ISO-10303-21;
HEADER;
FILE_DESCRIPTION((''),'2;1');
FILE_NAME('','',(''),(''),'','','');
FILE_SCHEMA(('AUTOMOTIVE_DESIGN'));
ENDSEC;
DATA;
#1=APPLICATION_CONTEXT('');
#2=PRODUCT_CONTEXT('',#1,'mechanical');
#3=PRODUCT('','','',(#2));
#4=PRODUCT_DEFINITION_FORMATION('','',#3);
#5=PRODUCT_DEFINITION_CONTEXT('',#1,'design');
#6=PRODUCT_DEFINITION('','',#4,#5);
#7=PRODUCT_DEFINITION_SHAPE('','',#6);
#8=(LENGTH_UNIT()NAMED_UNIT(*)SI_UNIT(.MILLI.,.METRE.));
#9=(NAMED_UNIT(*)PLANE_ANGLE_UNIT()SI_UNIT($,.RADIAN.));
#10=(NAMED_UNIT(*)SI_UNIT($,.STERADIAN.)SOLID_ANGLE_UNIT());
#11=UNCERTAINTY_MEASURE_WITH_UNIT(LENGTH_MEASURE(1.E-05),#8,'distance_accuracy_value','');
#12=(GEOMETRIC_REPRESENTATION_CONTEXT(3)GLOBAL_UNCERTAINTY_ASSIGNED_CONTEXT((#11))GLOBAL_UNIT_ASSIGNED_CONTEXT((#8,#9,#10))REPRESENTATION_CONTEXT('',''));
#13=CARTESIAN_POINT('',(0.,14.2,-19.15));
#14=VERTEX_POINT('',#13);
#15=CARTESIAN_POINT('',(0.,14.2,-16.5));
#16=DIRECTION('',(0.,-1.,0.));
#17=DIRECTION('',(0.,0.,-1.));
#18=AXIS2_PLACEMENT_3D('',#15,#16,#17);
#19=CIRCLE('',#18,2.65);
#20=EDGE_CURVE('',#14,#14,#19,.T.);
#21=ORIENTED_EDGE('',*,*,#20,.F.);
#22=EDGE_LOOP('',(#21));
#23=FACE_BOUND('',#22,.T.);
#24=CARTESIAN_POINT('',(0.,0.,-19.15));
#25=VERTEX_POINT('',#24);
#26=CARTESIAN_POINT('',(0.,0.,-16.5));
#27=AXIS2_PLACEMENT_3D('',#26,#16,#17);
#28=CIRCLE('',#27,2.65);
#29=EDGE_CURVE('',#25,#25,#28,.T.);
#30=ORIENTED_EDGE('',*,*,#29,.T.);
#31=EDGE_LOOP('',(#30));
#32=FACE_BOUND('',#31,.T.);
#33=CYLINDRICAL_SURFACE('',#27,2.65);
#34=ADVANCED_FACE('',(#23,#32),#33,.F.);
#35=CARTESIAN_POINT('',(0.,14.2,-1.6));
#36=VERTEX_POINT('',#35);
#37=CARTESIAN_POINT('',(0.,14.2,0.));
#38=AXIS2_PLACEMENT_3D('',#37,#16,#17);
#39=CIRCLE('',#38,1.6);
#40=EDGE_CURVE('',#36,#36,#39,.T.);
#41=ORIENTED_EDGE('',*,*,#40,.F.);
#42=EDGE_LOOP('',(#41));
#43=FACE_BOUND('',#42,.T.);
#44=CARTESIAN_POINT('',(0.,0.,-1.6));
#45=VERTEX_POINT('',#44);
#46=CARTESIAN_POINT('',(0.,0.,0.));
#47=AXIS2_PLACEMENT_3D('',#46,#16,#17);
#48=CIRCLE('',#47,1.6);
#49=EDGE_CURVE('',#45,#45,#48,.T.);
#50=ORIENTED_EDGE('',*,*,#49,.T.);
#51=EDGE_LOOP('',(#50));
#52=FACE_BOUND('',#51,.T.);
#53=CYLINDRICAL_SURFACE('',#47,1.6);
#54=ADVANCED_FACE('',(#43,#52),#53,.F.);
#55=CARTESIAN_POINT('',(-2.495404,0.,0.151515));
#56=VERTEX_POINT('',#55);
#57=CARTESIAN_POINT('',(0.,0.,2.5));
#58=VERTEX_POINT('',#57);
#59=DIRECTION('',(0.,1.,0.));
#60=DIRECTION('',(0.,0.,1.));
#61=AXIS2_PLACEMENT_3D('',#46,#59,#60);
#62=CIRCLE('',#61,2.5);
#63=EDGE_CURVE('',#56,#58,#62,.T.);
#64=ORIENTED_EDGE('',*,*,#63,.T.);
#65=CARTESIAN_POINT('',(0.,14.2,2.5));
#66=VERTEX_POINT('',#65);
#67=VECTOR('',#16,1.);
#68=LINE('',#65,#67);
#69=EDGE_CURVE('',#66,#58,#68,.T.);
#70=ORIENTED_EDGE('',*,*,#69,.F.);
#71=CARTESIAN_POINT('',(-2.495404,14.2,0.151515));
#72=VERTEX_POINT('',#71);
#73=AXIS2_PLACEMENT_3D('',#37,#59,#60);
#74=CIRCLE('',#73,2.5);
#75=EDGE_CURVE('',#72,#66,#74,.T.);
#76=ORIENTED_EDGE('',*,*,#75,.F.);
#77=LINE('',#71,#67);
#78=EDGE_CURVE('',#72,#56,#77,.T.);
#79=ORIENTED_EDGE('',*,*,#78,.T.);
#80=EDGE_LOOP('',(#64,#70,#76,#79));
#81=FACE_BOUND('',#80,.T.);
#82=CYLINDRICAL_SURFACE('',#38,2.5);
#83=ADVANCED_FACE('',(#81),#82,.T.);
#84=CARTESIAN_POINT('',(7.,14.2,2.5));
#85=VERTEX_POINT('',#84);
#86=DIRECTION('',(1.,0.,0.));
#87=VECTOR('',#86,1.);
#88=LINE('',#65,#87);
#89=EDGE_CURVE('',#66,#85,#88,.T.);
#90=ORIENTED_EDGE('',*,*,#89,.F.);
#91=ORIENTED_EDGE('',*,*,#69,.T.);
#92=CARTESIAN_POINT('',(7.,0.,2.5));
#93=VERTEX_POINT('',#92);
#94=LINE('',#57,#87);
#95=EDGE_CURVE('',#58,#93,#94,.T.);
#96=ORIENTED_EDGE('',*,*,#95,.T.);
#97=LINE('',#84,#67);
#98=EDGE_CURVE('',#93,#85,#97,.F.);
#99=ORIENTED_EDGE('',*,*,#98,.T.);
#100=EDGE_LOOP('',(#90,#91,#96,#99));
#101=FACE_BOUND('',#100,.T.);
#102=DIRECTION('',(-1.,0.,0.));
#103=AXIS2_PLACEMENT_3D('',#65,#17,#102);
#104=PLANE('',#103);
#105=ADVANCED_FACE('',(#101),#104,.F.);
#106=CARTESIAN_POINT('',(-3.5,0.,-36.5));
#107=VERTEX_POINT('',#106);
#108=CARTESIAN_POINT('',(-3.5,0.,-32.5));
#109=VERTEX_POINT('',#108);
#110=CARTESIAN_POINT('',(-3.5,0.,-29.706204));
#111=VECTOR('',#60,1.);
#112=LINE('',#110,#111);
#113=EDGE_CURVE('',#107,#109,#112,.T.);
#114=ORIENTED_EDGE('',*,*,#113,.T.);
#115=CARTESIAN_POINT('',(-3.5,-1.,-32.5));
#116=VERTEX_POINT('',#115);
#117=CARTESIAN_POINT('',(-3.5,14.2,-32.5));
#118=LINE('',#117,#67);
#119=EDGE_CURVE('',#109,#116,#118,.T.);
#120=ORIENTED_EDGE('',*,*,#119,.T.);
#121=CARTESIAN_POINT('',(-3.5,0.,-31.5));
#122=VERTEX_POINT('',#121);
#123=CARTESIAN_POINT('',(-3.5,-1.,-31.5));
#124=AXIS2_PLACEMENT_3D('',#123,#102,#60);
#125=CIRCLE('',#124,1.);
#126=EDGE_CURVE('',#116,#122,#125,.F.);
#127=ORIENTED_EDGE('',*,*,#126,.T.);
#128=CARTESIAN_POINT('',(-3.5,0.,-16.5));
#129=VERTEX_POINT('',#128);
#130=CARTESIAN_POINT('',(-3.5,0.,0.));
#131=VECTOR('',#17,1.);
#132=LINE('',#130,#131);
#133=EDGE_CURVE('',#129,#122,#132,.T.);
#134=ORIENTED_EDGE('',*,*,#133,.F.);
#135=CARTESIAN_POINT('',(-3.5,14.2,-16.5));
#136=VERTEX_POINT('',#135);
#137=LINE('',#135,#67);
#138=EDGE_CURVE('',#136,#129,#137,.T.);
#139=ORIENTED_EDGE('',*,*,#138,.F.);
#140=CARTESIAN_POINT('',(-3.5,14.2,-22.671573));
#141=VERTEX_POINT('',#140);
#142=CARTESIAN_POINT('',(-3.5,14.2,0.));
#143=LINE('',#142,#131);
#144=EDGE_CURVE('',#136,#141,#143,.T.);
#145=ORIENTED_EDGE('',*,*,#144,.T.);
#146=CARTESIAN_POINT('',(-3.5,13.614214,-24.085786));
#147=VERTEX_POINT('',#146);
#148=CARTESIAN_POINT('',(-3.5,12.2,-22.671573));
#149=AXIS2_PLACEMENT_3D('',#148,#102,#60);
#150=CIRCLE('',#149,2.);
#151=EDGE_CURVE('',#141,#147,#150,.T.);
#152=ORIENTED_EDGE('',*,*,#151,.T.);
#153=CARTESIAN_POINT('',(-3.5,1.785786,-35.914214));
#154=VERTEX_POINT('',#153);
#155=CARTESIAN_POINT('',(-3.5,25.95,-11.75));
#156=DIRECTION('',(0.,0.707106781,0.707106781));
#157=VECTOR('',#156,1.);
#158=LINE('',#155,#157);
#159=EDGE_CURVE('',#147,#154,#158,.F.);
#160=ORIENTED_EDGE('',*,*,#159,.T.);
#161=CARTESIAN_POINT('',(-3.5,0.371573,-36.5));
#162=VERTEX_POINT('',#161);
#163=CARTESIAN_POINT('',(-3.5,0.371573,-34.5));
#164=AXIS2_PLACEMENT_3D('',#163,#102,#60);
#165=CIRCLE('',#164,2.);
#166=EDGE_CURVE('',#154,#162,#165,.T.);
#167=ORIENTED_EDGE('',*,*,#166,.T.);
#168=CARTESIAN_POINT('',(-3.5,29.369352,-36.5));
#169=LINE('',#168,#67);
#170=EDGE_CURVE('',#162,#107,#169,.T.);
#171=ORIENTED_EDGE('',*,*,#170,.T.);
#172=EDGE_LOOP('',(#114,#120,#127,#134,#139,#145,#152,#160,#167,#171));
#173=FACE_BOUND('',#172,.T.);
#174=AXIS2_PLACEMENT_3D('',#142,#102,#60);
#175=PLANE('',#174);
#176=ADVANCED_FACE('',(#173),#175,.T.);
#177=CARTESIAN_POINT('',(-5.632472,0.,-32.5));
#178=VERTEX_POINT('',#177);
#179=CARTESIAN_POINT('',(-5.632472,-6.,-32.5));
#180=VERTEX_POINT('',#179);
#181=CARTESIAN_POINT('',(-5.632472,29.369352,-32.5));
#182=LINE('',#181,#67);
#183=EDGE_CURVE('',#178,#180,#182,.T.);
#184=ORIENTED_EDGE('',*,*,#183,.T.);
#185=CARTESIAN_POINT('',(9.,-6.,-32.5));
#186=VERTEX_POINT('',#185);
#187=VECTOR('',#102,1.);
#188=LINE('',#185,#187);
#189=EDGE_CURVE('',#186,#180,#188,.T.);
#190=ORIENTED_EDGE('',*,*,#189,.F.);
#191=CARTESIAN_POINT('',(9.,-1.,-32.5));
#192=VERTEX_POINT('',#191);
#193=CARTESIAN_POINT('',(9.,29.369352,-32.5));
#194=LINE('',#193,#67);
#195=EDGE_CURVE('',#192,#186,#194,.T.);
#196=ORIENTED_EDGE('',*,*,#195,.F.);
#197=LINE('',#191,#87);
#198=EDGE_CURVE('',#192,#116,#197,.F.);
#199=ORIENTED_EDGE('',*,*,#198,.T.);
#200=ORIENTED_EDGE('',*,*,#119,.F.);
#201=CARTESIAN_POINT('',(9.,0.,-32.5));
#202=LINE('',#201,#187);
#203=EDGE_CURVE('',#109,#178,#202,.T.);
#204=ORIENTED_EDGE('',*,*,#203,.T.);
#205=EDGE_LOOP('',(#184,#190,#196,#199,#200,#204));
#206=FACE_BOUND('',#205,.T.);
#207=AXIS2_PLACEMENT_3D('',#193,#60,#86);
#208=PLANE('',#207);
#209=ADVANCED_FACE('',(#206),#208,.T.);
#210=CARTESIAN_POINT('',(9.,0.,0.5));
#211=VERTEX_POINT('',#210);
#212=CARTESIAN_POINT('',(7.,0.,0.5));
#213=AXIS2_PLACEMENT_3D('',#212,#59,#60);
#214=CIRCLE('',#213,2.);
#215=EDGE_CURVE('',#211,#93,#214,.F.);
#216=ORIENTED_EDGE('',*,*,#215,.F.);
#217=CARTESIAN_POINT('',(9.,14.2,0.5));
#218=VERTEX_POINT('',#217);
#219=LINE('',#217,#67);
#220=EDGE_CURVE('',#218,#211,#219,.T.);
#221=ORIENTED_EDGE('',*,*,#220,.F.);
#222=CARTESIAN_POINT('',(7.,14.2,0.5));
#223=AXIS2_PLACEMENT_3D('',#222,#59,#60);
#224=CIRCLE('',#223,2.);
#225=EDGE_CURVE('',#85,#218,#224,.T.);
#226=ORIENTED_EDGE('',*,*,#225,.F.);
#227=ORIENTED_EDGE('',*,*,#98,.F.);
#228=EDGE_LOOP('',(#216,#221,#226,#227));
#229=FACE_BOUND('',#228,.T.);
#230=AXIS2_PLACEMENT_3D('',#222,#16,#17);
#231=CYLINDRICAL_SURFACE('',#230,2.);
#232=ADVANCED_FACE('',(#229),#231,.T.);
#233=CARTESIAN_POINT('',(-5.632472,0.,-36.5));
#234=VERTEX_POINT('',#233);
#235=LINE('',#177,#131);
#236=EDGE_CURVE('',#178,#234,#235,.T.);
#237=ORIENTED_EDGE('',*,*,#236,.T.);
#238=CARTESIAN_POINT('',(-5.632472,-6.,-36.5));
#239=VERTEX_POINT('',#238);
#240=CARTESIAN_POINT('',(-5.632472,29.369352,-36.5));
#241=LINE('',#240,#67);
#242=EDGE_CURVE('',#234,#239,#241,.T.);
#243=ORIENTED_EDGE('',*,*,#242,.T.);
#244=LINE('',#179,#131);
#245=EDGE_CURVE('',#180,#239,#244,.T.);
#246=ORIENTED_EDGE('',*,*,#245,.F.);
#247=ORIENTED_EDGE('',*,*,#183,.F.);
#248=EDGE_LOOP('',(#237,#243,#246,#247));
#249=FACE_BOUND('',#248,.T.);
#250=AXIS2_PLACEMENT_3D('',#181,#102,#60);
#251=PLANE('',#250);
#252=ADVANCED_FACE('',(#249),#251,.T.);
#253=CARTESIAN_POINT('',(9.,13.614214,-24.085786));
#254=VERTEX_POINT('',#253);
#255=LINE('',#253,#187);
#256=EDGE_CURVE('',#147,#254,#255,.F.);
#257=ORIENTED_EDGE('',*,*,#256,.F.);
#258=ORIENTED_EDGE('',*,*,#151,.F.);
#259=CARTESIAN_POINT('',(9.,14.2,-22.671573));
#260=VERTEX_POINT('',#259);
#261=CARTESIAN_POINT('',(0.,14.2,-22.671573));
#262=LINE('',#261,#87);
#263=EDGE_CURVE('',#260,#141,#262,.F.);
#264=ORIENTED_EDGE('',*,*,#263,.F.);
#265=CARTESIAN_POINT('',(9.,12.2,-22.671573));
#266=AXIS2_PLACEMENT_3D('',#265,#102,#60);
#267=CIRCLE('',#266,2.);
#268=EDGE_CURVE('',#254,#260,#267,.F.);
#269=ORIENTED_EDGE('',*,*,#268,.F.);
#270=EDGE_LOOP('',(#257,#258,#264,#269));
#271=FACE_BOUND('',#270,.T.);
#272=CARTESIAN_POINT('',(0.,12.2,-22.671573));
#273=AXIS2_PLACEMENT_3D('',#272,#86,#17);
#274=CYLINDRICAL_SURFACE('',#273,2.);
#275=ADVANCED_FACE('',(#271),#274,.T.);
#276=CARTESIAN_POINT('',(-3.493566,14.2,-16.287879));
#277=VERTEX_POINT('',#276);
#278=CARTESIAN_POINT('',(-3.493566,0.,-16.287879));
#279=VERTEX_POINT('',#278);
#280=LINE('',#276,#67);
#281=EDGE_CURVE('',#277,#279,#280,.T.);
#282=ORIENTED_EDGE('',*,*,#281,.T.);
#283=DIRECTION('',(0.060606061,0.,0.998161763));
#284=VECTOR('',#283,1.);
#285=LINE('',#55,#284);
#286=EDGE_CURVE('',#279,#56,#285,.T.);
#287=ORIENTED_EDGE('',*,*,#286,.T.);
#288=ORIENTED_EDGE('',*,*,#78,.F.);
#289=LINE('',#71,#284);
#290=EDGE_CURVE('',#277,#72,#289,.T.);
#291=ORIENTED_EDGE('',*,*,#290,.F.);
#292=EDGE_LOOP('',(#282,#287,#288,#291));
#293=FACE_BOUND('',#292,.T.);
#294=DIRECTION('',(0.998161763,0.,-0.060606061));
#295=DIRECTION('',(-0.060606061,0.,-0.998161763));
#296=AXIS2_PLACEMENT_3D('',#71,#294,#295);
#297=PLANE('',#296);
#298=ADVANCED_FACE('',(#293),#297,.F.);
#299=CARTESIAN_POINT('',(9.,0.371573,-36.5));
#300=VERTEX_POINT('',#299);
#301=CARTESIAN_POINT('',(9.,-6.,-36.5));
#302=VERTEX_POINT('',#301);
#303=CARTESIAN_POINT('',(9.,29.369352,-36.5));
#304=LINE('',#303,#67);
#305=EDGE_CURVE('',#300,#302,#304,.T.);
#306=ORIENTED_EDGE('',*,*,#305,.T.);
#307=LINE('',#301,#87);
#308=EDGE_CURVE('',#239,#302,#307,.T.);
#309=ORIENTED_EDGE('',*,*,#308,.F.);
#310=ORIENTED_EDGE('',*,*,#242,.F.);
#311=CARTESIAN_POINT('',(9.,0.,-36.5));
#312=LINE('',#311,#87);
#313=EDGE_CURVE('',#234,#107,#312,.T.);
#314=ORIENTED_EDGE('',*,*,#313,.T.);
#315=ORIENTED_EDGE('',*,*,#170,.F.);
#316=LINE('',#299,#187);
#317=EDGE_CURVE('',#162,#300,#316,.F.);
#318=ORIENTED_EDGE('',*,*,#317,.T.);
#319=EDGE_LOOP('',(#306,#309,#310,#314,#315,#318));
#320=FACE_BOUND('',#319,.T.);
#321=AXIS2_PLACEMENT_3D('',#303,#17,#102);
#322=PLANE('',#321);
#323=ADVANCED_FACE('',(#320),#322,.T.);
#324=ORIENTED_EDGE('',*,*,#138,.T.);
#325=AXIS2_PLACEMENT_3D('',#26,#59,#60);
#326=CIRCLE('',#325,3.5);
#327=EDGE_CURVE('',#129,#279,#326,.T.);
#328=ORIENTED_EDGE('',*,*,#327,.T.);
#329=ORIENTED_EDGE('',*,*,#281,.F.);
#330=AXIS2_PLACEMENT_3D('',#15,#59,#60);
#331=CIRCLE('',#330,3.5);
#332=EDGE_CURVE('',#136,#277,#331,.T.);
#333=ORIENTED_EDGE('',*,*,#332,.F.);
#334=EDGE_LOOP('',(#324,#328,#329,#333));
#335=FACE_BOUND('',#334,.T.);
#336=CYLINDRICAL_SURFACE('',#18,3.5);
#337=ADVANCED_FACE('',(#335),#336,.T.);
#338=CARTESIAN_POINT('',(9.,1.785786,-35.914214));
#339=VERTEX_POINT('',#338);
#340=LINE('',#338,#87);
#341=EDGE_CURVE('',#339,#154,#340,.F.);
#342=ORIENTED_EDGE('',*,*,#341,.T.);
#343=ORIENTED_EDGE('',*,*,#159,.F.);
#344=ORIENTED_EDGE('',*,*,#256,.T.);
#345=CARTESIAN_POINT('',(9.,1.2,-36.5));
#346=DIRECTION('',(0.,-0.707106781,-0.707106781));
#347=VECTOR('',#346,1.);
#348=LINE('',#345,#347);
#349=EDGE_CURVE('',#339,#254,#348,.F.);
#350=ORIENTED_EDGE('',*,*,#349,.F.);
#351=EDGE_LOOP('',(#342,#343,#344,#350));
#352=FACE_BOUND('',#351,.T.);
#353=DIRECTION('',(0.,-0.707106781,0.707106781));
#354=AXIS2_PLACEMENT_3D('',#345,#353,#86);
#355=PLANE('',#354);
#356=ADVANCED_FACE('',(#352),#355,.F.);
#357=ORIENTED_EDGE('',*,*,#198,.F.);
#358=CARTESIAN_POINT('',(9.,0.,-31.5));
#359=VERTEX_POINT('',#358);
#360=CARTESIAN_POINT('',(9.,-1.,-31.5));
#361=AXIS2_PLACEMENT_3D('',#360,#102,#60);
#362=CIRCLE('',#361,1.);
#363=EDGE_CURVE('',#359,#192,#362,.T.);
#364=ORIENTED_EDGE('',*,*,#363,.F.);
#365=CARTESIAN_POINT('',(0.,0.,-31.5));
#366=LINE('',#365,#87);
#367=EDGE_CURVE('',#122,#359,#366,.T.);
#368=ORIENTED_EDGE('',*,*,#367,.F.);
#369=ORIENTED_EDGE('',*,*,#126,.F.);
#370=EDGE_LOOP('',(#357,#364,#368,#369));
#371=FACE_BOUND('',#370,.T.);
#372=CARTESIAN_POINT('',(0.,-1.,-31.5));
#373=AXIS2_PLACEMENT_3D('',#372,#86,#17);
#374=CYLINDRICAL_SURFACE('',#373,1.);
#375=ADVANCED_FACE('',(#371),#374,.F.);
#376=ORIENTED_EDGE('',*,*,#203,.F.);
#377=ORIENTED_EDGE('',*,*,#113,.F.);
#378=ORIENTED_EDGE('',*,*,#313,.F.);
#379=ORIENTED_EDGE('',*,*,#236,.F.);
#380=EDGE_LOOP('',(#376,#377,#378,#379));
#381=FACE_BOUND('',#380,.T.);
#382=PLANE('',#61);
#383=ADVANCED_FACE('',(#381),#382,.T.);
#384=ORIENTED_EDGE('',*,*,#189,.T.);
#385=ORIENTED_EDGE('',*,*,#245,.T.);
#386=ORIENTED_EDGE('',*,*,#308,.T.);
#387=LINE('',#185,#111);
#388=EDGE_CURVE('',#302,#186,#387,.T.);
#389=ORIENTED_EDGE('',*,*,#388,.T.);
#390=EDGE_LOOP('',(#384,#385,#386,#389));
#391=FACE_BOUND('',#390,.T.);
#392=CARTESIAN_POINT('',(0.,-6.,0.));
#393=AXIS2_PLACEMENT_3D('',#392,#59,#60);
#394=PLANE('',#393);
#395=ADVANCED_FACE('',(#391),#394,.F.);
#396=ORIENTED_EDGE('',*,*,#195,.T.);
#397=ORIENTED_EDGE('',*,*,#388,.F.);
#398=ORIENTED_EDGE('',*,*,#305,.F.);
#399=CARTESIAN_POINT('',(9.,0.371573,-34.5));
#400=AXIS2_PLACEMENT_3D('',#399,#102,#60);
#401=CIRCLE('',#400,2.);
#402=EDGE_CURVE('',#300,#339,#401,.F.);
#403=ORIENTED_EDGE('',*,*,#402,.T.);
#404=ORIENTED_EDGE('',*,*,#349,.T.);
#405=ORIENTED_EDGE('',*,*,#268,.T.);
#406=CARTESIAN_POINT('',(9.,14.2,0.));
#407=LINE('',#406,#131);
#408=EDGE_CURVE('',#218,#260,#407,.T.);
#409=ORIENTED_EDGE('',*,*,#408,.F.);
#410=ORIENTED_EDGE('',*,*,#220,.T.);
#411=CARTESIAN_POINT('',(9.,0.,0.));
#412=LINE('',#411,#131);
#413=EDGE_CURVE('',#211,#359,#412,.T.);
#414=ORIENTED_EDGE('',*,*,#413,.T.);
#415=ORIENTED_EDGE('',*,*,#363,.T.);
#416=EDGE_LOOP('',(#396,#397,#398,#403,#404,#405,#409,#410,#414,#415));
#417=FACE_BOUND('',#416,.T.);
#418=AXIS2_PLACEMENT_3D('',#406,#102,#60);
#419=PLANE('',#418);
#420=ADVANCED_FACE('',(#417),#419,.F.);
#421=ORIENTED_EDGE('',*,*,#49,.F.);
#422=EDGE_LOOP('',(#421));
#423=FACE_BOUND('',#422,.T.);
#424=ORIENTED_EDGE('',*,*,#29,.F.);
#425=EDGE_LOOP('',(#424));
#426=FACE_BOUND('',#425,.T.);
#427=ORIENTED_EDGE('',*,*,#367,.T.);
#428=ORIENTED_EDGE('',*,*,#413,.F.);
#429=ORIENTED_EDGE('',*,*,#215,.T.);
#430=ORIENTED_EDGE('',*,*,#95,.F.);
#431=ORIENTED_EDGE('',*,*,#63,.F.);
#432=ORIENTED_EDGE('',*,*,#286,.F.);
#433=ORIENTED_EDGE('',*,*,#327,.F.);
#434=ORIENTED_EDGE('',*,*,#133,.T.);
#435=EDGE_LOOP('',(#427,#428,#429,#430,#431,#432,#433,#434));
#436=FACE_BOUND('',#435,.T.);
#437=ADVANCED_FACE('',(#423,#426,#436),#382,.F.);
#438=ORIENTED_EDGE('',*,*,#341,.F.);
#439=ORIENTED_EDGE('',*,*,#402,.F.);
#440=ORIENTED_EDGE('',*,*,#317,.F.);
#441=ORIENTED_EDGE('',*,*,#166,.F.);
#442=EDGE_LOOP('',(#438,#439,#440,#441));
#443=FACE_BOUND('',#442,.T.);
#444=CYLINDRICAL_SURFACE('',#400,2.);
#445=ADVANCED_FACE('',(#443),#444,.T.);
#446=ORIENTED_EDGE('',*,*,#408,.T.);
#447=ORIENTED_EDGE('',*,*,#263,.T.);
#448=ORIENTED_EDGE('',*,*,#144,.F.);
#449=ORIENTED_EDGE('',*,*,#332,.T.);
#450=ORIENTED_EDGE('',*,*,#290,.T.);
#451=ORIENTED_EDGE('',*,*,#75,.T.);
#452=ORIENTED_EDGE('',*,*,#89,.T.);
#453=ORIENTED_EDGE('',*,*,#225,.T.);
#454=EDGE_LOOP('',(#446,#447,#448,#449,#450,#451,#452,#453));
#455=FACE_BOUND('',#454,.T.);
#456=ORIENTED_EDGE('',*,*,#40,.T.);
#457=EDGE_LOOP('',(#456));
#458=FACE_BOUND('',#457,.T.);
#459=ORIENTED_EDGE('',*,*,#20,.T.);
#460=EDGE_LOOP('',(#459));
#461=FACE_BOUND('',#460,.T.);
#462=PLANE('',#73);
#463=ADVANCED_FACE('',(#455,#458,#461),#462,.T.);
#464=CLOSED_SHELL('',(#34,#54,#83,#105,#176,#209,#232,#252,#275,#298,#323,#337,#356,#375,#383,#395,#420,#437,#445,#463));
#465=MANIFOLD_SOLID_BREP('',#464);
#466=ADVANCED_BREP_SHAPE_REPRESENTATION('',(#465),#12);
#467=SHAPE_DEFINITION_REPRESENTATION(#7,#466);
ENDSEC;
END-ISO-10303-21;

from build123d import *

# Parameters (mm, degrees)
SKETCH1_W                = 7
SKETCH1_H                = 16
SKETCH1_W_2              = 3.5
BOSS_EXTRUDE1_DEPTH      = 14.2
M3_CLEARANCE_HOLE1_D     = 3.2
M5_CLEARANCE_HOLE1_D     = 5.3
SKETCH6_W                = 14.632471907
SKETCH6_H                = 4
BOSS_EXTRUDE2_DEPTH      = 6
BOSS_EXTRUDE2_DEPTH_BACK = 14.2
FILLET1_R                = 1
FILLET2_R                = 2
SKETCH7_W                = 8.569742994
SKETCH7_H                = 13.514047563
CUT_EXTRUDE1_DEPTH       = 10
CHAMFER1_SIZE            = 13
FILLET4_R                = 2


with BuildPart() as part:
    # Sketch1 → Boss-Extrude1 (new body)
    with BuildSketch(Plane(origin=(0, 0, 0), x_dir=(1, 0, 0), z_dir=(0, 1, 0))):
        with BuildLine():
            Line((-3.5, 16.5), (3.5, 16.5))
            ThreePointArc((3.5, 16.5), (3.498391173, 16.393890619), (3.493566171, 16.287878788))
            Line((3.493566171, 16.287878788), (2.495404408, -0.151515152))
            ThreePointArc((2.495404408, -0.151515152), (0, -2.5), (-2.495404408, -0.151515152))
            Line((-2.495404408, -0.151515152), (-3.493566171, 16.287878788))
            ThreePointArc((-3.493566171, 16.287878788), (-3.498391173, 16.393890619), (-3.5, 16.5))
        make_face()
        with Locations((0, 24.5)):
            Rectangle(SKETCH1_W, SKETCH1_H)
        with BuildLine():
            ThreePointArc((2.495404408, -0.151515152), (1.713361042, -1.820547703), (0, -2.5))
            Line((0, -2.5), (9, -2.5))
            Line((9, -2.5), (9, 32.5))
            Line((9, 32.5), (3.5, 32.5))
            Line((3.5, 32.5), (3.5, 16.5))
            ThreePointArc((3.5, 16.5), (3.498391173, 16.393890619), (3.493566171, 16.287878788))
            Line((3.493566171, 16.287878788), (2.495404408, -0.151515152))
        make_face()
        with BuildLine():
            Line((0, 16.5), (0, -2.5))
            ThreePointArc((0, -2.5), (1.713361042, -1.820547703), (2.495404408, -0.151515152))
            Line((2.495404408, -0.151515152), (3.493566171, 16.287878788))
            ThreePointArc((3.493566171, 16.287878788), (3.498391173, 16.393890619), (3.5, 16.5))
            Line((3.5, 16.5), (0, 16.5))
        make_face()
        with Locations((1.75, 24.5)):
            Rectangle(SKETCH1_W_2, SKETCH1_H)
    extrude(amount=BOSS_EXTRUDE1_DEPTH)

    # M3 Clearance Hole1 (through all)
    with Locations(Plane(origin=(0, 0, 0), x_dir=(-1, 0, 0), z_dir=(0, -1, 0))):
        with Locations((0, 0)):
            Hole(M3_CLEARANCE_HOLE1_D / 2)

    # M5 Clearance Hole1 (through all)
    with Locations(Plane(origin=(0, 0, 0), x_dir=(-1, 0, 0), z_dir=(0, -1, 0))):
        with Locations((0, 16.5)):
            Hole(M5_CLEARANCE_HOLE1_D / 2)

    # Sketch6 → Boss-Extrude2 (add, two sides)
    with BuildSketch(Plane.XZ) as boss_extrude2_sk:
        with Locations((1.683764046, -34.5)):
            Rectangle(SKETCH6_W, SKETCH6_H)
    extrude(amount=BOSS_EXTRUDE2_DEPTH)
    extrude(boss_extrude2_sk.sketch, amount=-BOSS_EXTRUDE2_DEPTH_BACK)

    # Fillet1
    fillet1_edges = [part.edges().sort_by_distance(p)[0] for p in [
        (2.75, 0, -32.5),
    ]]
    fillet(fillet1_edges, radius=FILLET1_R)

    # Fillet2
    fillet2_edges = [part.edges().sort_by_distance(p)[0] for p in [
        (9, 7.1, 2.5),
    ]]
    fillet(fillet2_edges, radius=FILLET2_R)

    # Sketch7 → Cut-Extrude1 (cut)
    with BuildSketch(Plane.XZ):
        with Locations((-7.784871497, -36.46322787)):
            Rectangle(SKETCH7_W, SKETCH7_H)
    extrude(amount=-CUT_EXTRUDE1_DEPTH, mode=Mode.SUBTRACT)

    # Chamfer1
    chamfer1_edges = [part.edges().sort_by_distance(p)[0] for p in [
        (1.683764046, 14.2, -36.5),
    ]]
    chamfer(chamfer1_edges, length=CHAMFER1_SIZE)

    # Fillet4
    fillet4_edges = [part.edges().sort_by_distance(p)[0] for p in [
        (2.75, 1.2, -36.5),
        (2.75, 14.2, -23.5),
    ]]
    fillet(fillet4_edges, radius=FILLET4_R)


solid = part.part
